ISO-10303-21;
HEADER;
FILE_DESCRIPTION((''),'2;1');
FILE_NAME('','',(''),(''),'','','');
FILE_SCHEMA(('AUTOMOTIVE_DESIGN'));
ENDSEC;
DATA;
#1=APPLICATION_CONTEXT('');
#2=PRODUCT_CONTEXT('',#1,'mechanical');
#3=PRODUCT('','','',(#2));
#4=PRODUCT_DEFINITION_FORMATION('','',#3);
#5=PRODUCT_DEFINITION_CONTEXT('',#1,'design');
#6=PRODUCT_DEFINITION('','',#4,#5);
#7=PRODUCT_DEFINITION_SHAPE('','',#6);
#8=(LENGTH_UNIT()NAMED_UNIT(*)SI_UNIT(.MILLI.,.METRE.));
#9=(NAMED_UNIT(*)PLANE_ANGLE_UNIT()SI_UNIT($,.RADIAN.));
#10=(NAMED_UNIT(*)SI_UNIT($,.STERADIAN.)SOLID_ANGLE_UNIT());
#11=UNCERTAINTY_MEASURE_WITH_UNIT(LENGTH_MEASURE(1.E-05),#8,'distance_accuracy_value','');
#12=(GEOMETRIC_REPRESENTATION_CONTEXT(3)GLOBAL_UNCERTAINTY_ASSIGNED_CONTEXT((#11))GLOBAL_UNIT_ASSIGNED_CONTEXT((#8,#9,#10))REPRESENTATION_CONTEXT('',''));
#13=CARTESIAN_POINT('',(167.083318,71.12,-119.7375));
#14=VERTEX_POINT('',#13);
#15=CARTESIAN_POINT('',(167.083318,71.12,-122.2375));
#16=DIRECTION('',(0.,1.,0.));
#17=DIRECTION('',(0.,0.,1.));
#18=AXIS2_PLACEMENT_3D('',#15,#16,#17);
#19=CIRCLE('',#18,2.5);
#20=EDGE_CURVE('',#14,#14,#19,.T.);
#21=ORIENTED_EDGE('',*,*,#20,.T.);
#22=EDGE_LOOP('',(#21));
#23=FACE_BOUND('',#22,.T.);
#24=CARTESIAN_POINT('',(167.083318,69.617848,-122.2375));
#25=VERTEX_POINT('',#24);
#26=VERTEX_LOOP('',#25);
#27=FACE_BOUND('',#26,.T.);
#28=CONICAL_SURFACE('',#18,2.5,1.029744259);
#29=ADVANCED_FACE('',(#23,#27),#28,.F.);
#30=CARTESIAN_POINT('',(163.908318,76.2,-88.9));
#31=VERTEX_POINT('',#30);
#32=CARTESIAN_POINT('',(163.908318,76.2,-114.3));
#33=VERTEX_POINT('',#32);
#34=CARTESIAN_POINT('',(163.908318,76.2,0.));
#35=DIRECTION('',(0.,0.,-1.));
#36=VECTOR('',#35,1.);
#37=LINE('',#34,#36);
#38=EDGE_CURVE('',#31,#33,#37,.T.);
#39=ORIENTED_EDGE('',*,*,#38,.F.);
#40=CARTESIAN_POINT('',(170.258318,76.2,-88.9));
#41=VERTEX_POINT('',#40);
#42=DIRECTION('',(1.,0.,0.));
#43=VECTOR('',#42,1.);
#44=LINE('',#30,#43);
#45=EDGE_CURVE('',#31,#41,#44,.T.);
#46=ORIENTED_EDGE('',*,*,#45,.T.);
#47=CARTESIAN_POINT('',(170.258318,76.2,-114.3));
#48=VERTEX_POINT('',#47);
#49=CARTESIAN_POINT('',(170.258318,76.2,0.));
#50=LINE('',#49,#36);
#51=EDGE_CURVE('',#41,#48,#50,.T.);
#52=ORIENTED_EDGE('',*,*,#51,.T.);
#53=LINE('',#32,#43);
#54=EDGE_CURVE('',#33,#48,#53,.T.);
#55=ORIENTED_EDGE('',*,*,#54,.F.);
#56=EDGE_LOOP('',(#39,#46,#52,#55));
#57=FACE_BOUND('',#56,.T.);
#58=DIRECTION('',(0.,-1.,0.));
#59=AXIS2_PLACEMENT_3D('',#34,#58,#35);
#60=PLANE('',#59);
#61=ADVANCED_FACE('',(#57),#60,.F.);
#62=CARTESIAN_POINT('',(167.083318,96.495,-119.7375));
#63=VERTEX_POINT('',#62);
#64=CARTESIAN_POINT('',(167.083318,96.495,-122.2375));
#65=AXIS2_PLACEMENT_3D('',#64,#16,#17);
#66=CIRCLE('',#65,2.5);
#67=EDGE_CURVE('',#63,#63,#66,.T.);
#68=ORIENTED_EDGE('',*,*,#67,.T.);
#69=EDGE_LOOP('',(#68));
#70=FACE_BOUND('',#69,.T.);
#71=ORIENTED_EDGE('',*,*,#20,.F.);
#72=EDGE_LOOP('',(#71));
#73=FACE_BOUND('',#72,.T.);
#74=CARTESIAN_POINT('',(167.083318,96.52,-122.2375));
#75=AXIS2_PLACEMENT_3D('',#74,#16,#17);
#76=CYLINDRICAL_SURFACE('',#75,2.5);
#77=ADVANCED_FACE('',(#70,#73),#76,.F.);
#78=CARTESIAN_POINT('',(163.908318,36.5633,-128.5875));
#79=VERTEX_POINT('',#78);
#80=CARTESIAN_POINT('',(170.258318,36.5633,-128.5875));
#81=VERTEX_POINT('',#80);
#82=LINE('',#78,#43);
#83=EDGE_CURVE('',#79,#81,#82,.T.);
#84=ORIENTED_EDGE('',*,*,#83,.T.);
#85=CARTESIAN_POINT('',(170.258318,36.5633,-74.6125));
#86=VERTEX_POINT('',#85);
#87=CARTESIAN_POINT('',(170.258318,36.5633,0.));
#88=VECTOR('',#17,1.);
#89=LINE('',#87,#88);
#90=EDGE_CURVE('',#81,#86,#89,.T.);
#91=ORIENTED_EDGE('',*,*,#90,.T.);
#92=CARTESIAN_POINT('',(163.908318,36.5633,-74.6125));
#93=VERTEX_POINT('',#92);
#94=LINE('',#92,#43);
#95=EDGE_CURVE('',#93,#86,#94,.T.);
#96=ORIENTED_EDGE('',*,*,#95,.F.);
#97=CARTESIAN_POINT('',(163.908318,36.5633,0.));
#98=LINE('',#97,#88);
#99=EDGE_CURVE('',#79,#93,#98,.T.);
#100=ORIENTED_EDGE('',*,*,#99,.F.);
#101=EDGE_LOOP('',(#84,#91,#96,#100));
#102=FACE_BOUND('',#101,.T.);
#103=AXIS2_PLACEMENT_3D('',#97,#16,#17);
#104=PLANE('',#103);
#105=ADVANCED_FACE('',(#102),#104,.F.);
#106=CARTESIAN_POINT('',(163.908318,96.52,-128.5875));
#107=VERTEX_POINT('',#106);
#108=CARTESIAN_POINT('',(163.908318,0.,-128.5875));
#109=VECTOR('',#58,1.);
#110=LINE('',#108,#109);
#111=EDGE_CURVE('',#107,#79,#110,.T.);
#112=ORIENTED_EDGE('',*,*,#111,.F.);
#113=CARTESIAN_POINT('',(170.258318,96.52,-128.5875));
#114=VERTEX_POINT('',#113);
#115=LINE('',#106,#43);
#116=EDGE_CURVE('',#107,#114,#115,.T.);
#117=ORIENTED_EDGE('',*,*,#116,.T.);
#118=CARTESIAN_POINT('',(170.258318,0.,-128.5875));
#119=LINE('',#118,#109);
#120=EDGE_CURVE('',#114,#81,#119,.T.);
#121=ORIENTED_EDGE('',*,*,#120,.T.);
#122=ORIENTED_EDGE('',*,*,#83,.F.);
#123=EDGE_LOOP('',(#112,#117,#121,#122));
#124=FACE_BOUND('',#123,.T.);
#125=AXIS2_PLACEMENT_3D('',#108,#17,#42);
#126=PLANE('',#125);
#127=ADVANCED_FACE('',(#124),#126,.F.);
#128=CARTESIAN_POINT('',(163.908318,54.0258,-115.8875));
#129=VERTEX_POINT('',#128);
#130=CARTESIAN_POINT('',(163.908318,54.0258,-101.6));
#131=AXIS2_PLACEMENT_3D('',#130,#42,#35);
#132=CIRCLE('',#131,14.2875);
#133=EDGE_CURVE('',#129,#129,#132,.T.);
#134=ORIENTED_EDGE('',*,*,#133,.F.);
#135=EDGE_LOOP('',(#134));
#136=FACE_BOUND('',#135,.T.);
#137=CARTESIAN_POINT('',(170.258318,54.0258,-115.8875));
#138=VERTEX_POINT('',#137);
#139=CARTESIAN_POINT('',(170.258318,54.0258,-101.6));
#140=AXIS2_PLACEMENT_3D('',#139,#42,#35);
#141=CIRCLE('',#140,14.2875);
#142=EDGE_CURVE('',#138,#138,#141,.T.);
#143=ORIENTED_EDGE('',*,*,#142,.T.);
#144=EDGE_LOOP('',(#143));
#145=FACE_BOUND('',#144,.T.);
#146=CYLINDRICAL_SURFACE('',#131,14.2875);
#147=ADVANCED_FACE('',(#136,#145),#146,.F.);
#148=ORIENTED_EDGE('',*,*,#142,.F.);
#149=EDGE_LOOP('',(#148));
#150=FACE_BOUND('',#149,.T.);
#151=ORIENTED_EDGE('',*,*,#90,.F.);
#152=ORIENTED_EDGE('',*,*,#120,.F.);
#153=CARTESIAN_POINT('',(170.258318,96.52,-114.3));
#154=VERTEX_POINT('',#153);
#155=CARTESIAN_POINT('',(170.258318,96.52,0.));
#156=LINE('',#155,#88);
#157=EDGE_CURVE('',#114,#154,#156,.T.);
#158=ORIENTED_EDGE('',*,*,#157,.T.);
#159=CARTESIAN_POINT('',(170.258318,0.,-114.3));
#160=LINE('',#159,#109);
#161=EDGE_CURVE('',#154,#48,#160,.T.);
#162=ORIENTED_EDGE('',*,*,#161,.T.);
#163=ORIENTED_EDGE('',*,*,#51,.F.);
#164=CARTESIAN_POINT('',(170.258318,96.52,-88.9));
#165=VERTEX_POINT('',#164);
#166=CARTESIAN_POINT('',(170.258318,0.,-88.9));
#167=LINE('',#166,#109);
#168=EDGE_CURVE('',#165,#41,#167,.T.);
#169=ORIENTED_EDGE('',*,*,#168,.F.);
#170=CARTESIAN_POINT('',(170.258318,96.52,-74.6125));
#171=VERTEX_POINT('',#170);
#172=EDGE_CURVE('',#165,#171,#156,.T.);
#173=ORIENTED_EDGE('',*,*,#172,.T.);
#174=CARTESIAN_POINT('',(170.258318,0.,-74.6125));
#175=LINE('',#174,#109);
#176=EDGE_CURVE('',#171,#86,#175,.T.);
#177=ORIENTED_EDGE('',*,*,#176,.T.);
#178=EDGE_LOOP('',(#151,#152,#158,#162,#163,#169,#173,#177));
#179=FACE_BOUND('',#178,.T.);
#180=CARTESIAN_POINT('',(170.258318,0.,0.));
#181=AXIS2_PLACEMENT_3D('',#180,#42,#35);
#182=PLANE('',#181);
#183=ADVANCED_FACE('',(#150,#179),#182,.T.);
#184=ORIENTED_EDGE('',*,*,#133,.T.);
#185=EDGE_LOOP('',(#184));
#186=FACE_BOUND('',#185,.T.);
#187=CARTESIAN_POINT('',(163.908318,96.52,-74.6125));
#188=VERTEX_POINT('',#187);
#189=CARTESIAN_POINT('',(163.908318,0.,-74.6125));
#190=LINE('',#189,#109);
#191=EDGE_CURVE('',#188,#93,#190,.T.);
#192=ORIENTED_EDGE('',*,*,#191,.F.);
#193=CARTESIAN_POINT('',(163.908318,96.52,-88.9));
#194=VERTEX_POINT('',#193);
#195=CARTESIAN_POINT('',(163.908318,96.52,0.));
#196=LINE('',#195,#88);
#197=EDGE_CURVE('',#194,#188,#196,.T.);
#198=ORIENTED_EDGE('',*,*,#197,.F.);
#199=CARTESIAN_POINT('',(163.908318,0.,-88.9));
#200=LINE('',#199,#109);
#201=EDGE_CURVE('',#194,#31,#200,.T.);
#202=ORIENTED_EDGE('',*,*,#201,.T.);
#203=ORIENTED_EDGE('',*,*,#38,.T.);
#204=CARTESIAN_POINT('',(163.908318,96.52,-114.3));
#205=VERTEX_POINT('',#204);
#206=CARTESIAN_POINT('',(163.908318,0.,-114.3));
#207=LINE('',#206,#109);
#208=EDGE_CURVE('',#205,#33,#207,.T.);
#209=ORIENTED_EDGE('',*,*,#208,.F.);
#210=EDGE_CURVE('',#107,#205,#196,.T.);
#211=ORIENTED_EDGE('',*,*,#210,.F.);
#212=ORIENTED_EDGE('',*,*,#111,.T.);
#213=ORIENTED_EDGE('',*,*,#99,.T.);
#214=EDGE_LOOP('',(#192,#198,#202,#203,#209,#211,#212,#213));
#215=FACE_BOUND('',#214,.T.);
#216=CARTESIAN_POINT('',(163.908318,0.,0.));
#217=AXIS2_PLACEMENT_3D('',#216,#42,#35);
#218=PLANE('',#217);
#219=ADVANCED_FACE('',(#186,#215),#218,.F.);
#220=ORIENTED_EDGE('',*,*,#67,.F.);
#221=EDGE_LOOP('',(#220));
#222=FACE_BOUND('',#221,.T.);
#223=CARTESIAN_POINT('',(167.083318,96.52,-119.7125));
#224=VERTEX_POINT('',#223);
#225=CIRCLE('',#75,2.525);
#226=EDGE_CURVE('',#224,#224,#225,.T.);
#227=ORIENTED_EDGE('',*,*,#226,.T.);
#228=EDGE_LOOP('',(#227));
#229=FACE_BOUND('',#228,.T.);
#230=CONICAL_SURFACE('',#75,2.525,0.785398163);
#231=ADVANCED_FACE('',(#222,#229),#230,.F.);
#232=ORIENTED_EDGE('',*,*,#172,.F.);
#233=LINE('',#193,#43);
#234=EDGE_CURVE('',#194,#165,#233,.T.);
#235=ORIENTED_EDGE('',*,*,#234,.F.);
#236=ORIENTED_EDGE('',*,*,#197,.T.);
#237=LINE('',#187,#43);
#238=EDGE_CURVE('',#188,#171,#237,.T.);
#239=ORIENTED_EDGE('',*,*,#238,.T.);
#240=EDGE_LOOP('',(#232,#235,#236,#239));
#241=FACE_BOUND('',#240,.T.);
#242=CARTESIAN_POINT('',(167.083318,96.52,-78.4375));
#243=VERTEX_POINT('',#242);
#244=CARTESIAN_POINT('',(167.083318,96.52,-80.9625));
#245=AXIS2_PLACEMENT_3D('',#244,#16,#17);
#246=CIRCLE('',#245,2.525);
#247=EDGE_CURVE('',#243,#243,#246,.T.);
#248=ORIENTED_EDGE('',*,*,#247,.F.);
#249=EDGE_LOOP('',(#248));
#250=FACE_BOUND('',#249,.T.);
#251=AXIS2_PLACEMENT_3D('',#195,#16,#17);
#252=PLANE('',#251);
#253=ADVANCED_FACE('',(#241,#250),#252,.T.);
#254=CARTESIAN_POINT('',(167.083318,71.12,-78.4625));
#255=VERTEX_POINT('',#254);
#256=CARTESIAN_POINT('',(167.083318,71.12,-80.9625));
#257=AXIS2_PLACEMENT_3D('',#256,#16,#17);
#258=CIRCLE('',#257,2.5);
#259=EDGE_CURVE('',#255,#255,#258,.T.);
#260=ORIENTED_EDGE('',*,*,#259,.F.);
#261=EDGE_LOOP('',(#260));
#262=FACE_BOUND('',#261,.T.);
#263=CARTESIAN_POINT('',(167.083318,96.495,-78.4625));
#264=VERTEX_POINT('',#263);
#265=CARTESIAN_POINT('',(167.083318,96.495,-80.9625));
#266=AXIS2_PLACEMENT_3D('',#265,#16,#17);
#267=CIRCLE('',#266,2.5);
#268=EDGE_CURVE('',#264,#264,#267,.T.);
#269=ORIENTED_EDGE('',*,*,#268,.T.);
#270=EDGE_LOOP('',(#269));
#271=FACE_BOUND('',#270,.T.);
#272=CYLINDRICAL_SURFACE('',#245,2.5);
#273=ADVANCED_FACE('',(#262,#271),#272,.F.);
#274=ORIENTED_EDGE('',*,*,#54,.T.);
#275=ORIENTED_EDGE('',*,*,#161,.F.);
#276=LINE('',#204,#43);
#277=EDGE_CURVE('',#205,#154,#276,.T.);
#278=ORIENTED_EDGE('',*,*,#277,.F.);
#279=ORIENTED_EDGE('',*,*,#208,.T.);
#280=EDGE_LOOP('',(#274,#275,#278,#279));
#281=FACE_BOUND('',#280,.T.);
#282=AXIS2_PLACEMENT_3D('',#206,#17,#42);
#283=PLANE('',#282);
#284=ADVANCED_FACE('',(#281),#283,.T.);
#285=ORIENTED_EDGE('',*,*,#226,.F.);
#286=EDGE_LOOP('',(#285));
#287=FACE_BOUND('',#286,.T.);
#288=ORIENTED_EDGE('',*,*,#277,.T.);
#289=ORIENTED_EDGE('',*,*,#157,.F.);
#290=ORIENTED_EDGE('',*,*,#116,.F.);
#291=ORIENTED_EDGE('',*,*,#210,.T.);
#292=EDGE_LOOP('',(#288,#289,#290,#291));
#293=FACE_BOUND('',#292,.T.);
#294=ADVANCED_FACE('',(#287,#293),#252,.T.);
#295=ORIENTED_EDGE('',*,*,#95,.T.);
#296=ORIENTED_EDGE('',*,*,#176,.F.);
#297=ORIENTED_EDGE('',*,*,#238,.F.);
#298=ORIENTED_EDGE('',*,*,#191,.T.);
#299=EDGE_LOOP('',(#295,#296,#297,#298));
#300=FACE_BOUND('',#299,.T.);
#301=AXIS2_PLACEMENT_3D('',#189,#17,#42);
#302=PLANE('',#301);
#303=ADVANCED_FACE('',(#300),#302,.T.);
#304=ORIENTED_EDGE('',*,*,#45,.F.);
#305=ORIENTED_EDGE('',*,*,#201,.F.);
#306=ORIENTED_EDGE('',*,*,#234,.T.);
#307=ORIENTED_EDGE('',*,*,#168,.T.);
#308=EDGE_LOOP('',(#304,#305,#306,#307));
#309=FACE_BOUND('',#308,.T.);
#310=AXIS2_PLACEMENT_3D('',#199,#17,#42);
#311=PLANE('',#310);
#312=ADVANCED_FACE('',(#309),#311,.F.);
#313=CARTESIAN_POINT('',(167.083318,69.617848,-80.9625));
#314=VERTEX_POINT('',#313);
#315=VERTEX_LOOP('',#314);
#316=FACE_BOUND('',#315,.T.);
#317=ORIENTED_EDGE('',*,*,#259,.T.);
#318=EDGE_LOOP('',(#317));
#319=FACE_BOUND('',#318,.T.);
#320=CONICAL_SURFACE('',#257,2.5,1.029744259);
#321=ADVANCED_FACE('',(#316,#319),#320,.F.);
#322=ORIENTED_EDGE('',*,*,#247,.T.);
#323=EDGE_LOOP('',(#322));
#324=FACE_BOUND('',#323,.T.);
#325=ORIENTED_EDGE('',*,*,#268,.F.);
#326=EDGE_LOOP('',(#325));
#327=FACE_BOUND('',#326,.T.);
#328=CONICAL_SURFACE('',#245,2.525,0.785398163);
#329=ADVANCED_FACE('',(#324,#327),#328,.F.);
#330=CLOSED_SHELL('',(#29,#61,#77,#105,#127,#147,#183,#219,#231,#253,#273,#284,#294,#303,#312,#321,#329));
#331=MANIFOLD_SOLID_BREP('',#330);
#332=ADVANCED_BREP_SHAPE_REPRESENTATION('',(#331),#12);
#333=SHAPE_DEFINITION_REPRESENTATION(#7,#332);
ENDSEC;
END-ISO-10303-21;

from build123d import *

# Parameters (mm, degrees)
BOSS_EXTRUDE1_START             = 170.258318
SKETCH6_R                       = 14.2875
BOSS_EXTRUDE1_DEPTH             = 6.35
F_5_0MM_DOWEL_HOLE1_D           = 5
F_5_0MM_DOWEL_HOLE1_DEPTH       = 25.4
F_5_0MM_DOWEL_HOLE1_CSINK_D     = 5.05
F_5_0MM_DOWEL_HOLE1_CSINK_ANGLE = 90
F_5_0MM_DOWEL_HOLE1_TIP         = 1.502151548


with BuildPart() as part:
    # Sketch6 → Boss-Extrude1 (new body)
    with BuildSketch(Plane(origin=(0, 0, 0), x_dir=(0, 0, -1), z_dir=(1, 0, 0)).offset(BOSS_EXTRUDE1_START)):
        Polygon((74.6125, 36.5633), (128.5875, 36.5633), (128.5875, 96.52), (114.3, 96.52), (114.3, 76.2), (88.9, 76.2), (88.9, 96.52), (74.6125, 96.52), align=None)
        with Locations((101.6, 54.0258)):
            Circle(SKETCH6_R, mode=Mode.SUBTRACT)
    extrude(amount=-BOSS_EXTRUDE1_DEPTH)

    # Ø5.0mm Dowel Hole1
    with Locations(Plane(origin=(0, 96.52, 0), x_dir=(1, 0, 0), z_dir=(0, 1, 0))):
        with Locations((167.083317581, 122.2375), (167.083317581, 80.9625)):
            CounterSinkHole(F_5_0MM_DOWEL_HOLE1_D / 2, F_5_0MM_DOWEL_HOLE1_CSINK_D / 2, depth=F_5_0MM_DOWEL_HOLE1_DEPTH, counter_sink_angle=F_5_0MM_DOWEL_HOLE1_CSINK_ANGLE)
            with Locations((0, 0, -(F_5_0MM_DOWEL_HOLE1_DEPTH + F_5_0MM_DOWEL_HOLE1_TIP / 2))):  # 118° drill point
                Cone(0, F_5_0MM_DOWEL_HOLE1_D / 2, F_5_0MM_DOWEL_HOLE1_TIP, mode=Mode.SUBTRACT)


solid = part.part
